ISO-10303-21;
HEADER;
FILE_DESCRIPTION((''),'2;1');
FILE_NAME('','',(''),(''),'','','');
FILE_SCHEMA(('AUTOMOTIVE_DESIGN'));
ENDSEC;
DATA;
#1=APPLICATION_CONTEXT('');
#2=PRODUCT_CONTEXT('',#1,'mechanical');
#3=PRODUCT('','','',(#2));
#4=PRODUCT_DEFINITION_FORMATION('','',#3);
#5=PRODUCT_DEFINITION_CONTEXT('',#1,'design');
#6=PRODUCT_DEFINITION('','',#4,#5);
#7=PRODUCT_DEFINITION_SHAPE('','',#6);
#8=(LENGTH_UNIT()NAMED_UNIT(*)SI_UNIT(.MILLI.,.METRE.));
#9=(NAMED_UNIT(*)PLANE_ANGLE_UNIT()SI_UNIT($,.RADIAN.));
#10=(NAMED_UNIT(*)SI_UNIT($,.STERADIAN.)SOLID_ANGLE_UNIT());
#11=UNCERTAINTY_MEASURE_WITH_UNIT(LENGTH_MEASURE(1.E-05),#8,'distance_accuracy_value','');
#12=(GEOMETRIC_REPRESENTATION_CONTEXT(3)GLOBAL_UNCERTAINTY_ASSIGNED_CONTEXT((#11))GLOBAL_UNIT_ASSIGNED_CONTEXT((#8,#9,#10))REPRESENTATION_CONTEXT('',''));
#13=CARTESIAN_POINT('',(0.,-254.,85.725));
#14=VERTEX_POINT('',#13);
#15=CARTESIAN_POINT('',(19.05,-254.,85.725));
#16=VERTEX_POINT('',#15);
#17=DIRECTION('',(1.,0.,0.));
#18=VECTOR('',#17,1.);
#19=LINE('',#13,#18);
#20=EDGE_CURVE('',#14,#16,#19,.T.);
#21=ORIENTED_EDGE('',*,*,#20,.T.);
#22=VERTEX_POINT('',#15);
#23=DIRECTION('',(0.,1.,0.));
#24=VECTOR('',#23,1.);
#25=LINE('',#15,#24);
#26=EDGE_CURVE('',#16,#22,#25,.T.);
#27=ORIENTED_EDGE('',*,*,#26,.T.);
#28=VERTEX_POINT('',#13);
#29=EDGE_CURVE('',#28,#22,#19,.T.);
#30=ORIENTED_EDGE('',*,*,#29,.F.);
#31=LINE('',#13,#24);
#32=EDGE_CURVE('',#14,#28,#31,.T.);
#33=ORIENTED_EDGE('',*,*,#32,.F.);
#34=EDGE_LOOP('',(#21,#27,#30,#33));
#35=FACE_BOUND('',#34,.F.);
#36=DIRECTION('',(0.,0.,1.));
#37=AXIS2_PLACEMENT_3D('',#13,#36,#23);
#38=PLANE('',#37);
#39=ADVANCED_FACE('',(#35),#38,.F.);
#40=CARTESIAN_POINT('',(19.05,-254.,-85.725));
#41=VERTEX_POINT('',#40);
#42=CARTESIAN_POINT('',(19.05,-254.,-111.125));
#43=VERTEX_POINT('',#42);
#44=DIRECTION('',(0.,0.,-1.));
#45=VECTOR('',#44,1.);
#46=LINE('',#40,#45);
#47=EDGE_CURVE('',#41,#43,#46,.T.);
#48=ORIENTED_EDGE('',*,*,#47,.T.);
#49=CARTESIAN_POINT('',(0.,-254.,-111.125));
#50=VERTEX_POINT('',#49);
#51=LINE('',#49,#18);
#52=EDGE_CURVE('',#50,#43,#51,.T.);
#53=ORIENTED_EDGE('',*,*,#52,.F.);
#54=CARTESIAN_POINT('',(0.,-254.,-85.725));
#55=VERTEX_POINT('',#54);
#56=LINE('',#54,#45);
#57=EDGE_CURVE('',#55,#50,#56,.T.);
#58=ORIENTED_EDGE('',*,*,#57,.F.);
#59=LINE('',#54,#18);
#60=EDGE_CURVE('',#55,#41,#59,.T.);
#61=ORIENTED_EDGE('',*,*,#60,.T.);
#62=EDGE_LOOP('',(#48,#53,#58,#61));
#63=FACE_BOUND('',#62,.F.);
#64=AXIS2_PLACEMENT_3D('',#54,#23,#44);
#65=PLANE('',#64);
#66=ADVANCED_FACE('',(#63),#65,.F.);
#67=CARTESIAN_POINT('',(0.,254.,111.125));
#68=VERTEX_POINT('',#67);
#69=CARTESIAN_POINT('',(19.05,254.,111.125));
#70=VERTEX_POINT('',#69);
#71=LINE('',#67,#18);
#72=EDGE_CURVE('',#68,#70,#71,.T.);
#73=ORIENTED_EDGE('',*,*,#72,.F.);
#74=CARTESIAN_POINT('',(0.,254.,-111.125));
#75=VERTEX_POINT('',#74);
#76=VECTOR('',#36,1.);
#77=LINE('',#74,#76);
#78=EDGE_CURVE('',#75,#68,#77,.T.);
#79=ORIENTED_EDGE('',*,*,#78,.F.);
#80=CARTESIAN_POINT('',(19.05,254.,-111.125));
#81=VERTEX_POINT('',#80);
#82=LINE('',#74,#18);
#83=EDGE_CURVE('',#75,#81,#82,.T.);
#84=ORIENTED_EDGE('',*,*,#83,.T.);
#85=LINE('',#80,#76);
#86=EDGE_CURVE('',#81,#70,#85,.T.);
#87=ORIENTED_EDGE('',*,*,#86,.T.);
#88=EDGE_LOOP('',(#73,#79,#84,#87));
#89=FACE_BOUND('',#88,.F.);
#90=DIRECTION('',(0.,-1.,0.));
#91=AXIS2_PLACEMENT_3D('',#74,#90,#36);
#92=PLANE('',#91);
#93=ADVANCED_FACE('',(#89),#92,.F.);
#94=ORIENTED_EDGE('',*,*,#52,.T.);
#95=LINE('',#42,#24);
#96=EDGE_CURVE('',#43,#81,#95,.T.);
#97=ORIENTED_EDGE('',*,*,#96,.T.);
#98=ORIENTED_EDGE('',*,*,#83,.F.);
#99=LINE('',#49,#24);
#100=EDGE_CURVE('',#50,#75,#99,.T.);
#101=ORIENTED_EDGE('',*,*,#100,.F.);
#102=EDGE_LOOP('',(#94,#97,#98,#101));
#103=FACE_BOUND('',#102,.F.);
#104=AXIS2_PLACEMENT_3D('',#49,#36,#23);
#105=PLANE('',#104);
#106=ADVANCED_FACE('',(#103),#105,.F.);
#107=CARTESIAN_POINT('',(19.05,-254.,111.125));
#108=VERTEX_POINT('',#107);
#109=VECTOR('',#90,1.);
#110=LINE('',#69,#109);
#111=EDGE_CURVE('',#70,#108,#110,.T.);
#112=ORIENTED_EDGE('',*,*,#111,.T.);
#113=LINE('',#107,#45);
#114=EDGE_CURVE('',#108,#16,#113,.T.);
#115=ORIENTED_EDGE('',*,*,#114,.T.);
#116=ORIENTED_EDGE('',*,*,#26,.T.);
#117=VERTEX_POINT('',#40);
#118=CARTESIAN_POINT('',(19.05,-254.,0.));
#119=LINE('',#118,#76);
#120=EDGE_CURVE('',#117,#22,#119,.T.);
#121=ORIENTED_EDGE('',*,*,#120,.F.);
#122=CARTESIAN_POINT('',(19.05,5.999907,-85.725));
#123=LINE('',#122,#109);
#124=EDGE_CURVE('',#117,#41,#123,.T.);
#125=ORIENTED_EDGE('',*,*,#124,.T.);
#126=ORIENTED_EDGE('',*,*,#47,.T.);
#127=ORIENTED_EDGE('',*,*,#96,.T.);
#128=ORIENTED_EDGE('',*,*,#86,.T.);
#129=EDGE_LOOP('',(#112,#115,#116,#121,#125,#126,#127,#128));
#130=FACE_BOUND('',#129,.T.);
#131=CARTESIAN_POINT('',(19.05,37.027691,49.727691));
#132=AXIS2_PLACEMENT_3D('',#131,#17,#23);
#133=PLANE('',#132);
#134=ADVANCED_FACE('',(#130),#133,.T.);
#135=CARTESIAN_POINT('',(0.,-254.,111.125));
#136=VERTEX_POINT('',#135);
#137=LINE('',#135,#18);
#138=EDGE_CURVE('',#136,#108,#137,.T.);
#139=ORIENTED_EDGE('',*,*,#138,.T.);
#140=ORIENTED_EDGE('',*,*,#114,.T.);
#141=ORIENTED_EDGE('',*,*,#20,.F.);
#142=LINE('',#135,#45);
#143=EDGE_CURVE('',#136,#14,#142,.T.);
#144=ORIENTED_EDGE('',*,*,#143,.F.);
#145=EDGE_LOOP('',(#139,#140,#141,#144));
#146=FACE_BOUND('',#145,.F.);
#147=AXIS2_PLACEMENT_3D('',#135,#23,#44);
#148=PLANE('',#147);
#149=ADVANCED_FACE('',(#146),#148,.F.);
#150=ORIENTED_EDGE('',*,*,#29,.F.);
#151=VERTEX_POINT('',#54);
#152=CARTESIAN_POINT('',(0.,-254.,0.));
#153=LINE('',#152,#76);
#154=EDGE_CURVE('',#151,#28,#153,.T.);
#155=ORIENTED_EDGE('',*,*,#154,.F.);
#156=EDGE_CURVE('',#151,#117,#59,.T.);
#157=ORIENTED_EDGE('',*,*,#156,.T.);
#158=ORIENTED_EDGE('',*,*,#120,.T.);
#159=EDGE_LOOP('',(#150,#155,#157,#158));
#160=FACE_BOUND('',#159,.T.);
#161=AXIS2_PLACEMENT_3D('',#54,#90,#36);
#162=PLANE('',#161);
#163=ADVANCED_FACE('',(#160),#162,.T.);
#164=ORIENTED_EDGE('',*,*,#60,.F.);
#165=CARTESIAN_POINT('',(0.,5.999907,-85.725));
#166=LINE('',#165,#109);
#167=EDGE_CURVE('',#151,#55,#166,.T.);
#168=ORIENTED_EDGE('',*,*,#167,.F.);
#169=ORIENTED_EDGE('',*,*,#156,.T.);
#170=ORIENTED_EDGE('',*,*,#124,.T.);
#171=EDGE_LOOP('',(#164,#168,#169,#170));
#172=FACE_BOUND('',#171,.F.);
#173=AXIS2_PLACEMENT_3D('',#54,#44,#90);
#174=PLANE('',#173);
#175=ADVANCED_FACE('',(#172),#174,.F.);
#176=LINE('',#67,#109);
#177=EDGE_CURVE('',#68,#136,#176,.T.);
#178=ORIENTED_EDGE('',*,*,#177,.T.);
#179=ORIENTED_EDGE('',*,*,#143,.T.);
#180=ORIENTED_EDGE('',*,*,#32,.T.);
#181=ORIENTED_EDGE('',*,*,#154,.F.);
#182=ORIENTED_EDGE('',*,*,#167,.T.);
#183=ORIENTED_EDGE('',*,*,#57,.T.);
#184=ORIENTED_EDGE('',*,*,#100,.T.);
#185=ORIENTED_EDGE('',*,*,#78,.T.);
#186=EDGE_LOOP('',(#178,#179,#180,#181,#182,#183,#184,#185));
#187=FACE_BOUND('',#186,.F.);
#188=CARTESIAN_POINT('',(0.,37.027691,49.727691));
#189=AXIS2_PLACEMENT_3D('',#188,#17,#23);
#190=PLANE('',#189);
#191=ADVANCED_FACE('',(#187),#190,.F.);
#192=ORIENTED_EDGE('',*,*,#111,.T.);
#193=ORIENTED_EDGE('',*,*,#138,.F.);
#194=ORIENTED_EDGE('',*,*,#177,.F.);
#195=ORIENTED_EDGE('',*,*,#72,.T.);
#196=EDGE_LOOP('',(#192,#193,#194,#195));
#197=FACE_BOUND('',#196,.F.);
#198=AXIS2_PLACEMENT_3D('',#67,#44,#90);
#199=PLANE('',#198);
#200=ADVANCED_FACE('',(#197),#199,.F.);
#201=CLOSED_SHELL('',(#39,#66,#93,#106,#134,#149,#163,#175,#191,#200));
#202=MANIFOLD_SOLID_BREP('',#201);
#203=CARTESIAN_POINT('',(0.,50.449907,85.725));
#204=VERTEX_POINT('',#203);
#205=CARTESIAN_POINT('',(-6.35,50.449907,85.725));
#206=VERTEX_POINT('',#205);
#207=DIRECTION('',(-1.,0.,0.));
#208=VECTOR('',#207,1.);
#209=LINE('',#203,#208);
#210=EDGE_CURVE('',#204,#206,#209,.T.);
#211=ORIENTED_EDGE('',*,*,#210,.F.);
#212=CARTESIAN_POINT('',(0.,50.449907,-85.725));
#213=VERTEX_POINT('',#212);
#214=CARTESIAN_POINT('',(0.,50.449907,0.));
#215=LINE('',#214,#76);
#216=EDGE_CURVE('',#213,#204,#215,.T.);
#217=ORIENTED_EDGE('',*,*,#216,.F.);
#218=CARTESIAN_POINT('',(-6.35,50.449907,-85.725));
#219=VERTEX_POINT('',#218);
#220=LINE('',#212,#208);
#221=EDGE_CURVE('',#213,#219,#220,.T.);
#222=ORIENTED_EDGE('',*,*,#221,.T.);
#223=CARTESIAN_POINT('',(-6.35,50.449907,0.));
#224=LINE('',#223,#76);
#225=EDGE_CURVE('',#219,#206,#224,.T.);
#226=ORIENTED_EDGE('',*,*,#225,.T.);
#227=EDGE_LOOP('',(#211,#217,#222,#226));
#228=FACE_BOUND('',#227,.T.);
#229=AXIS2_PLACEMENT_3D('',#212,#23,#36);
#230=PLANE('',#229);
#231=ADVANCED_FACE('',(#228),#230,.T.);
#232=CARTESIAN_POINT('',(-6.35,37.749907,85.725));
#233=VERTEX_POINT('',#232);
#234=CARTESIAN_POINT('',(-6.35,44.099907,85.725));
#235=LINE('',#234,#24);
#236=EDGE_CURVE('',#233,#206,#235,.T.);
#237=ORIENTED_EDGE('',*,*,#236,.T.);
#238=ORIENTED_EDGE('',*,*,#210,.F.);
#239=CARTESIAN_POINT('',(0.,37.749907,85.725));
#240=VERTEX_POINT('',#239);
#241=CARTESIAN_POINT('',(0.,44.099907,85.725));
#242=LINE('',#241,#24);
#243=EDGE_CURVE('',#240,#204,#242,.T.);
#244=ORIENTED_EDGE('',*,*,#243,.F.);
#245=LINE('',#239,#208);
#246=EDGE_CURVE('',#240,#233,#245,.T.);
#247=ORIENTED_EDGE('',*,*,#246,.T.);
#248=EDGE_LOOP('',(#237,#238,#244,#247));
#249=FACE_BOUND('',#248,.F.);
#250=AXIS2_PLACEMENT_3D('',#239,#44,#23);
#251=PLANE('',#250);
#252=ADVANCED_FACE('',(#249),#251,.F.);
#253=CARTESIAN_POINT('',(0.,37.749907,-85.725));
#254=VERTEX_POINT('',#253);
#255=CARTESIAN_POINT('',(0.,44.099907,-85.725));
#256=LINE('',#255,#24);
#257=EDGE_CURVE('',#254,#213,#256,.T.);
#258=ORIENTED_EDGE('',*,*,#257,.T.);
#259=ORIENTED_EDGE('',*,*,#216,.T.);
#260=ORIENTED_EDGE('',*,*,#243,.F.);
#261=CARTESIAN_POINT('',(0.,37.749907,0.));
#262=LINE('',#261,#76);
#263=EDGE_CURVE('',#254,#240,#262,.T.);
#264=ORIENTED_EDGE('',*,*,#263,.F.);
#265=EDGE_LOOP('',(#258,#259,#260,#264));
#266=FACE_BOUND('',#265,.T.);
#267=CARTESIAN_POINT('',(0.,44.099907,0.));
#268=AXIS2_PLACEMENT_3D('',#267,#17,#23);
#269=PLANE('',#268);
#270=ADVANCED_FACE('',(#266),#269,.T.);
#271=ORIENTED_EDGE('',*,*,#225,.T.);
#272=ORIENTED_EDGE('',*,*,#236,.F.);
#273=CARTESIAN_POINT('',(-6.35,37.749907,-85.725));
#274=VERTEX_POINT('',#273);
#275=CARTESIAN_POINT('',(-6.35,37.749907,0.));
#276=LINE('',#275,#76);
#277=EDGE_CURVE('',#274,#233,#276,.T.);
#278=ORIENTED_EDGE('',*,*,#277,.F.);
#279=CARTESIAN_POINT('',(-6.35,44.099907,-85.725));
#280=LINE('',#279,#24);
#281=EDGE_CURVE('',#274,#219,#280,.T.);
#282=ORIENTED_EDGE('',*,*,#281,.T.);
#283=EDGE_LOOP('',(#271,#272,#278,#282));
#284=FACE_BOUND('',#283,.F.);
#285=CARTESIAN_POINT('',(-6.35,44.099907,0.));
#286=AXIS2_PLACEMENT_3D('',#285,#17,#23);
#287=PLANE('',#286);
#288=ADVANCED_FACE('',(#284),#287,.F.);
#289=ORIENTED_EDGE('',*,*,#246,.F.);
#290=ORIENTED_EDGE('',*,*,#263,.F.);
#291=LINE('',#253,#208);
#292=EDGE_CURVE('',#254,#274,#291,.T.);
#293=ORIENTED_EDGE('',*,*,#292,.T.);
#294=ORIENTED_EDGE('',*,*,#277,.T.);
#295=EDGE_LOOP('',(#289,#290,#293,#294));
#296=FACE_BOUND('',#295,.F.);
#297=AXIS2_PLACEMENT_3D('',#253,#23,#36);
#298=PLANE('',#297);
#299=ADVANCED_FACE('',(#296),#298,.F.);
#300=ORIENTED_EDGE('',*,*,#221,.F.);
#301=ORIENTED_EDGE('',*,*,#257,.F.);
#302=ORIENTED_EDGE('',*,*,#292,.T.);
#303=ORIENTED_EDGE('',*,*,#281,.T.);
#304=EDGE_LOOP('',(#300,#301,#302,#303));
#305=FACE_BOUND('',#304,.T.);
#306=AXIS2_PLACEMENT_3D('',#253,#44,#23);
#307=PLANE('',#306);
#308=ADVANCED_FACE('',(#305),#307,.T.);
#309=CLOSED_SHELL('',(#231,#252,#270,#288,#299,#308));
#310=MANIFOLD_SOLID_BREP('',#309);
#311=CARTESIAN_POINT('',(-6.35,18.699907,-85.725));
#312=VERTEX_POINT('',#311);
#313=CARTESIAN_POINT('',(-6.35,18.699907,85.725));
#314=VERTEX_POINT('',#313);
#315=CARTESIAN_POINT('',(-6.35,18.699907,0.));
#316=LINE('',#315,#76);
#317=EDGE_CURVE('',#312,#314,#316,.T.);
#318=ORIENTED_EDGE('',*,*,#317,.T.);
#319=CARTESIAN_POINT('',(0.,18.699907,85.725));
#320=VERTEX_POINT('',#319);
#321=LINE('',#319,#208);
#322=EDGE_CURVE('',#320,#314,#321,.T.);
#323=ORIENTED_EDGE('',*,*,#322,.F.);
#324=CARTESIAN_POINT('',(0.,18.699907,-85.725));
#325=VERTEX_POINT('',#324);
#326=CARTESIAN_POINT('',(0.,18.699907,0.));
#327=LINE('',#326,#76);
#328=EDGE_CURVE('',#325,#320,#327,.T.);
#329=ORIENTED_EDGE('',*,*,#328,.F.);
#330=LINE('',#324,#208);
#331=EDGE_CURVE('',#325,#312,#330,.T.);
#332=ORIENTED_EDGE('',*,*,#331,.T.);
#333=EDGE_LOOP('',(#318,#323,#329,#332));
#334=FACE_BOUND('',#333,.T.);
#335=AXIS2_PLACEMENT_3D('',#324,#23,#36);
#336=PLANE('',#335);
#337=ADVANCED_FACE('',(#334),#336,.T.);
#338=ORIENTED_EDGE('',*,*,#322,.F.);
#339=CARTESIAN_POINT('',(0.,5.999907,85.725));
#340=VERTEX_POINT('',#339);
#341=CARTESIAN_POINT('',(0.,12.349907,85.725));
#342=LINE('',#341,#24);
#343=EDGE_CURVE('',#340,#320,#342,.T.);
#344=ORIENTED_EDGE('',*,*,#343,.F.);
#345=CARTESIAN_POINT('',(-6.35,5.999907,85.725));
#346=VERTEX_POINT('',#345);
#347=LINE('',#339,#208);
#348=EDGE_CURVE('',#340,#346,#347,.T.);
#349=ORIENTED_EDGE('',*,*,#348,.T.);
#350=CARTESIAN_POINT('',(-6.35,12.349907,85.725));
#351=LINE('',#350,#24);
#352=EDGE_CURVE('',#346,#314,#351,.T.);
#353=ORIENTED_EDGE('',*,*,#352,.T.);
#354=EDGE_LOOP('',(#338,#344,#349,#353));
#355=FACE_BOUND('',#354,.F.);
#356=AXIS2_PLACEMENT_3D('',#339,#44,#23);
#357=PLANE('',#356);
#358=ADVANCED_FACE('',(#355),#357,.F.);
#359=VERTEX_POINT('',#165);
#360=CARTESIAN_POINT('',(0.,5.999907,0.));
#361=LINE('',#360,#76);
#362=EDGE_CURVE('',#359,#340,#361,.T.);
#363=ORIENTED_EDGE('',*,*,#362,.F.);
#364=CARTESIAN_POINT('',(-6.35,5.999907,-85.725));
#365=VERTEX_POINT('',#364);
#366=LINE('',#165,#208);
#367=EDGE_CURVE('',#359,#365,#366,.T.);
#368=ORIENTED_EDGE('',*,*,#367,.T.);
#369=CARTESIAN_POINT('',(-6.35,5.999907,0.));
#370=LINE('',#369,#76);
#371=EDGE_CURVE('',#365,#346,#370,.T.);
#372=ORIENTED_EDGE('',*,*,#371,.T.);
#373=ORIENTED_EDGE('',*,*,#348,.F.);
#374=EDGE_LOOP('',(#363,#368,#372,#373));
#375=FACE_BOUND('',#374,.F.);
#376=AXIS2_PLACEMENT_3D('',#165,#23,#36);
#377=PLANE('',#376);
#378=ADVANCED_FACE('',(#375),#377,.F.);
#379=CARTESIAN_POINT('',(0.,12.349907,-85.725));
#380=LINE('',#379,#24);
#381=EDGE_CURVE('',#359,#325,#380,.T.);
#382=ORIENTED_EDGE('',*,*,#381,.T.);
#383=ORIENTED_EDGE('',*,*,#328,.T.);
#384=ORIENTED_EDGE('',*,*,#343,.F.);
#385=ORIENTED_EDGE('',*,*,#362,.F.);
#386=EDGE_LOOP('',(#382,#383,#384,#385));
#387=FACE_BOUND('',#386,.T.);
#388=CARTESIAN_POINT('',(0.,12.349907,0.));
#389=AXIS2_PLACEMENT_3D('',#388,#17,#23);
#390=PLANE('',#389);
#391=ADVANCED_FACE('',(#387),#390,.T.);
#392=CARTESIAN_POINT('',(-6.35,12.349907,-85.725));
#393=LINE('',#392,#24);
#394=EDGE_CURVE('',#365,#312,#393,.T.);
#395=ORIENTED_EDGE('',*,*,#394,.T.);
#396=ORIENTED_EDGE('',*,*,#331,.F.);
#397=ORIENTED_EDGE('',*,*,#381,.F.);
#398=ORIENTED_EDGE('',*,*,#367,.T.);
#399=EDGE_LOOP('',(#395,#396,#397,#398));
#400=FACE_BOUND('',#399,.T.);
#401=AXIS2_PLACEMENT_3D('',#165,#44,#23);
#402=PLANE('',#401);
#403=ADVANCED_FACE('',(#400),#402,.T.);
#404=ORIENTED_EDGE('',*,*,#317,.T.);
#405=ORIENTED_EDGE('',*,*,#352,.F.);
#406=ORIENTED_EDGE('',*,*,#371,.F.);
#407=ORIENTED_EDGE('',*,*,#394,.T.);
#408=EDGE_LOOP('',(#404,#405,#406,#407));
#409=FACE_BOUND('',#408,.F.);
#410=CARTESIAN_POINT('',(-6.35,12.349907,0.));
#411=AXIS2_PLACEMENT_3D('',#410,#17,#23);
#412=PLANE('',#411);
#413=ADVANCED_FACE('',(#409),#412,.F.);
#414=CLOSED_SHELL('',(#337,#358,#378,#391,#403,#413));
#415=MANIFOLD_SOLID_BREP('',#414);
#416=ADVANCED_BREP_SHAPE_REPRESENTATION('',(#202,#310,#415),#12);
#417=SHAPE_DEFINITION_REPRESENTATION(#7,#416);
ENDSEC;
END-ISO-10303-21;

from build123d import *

# Parameters (mm, degrees)
F0_W     = 12.7
F0_H     = 171.45
F1_DEPTH = 6.35
F0_W_2   = 259.999907
F0_W_3   = 19.05
F2_DEPTH = 19.05


with BuildPart() as f1:
    # F0 (on Right) → F1 (new body)
    with BuildSketch(Plane.YZ):
        with Locations((12.349907, 0)):
            Rectangle(F0_W, F0_H)
        with Locations((44.099907, 0)):
            Rectangle(F0_W, F0_H)
    extrude(amount=-F1_DEPTH)


with BuildPart() as f2:
    # F0 (on Right) → F2 (new body)
    with BuildSketch(Plane.YZ):
        Polygon((50.449907, -85.725), (254, -85.725), (254, 111.125), (-254, 111.125), (-254, 85.725), (5.999907, 85.725), (18.699907, 85.725), (37.749907, 85.725), (50.449907, 85.725), align=None)
        with Locations((-124.000046, 0)):
            Rectangle(F0_W_2, F0_H)
        Polygon((-254, -111.125), (254, -111.125), (254, -85.725), (50.449907, -85.725), (37.749907, -85.725), (18.699907, -85.725), (5.999907, -85.725), (-254, -85.725), align=None)
        with Locations((12.349907, 0)):
            Rectangle(F0_W, F0_H)
        with Locations((28.224907, 0)):
            Rectangle(F0_W_3, F0_H)
        with Locations((44.099907, 0)):
            Rectangle(F0_W, F0_H)
    extrude(amount=F2_DEPTH)


solid = Compound([f1.part, f2.part])
